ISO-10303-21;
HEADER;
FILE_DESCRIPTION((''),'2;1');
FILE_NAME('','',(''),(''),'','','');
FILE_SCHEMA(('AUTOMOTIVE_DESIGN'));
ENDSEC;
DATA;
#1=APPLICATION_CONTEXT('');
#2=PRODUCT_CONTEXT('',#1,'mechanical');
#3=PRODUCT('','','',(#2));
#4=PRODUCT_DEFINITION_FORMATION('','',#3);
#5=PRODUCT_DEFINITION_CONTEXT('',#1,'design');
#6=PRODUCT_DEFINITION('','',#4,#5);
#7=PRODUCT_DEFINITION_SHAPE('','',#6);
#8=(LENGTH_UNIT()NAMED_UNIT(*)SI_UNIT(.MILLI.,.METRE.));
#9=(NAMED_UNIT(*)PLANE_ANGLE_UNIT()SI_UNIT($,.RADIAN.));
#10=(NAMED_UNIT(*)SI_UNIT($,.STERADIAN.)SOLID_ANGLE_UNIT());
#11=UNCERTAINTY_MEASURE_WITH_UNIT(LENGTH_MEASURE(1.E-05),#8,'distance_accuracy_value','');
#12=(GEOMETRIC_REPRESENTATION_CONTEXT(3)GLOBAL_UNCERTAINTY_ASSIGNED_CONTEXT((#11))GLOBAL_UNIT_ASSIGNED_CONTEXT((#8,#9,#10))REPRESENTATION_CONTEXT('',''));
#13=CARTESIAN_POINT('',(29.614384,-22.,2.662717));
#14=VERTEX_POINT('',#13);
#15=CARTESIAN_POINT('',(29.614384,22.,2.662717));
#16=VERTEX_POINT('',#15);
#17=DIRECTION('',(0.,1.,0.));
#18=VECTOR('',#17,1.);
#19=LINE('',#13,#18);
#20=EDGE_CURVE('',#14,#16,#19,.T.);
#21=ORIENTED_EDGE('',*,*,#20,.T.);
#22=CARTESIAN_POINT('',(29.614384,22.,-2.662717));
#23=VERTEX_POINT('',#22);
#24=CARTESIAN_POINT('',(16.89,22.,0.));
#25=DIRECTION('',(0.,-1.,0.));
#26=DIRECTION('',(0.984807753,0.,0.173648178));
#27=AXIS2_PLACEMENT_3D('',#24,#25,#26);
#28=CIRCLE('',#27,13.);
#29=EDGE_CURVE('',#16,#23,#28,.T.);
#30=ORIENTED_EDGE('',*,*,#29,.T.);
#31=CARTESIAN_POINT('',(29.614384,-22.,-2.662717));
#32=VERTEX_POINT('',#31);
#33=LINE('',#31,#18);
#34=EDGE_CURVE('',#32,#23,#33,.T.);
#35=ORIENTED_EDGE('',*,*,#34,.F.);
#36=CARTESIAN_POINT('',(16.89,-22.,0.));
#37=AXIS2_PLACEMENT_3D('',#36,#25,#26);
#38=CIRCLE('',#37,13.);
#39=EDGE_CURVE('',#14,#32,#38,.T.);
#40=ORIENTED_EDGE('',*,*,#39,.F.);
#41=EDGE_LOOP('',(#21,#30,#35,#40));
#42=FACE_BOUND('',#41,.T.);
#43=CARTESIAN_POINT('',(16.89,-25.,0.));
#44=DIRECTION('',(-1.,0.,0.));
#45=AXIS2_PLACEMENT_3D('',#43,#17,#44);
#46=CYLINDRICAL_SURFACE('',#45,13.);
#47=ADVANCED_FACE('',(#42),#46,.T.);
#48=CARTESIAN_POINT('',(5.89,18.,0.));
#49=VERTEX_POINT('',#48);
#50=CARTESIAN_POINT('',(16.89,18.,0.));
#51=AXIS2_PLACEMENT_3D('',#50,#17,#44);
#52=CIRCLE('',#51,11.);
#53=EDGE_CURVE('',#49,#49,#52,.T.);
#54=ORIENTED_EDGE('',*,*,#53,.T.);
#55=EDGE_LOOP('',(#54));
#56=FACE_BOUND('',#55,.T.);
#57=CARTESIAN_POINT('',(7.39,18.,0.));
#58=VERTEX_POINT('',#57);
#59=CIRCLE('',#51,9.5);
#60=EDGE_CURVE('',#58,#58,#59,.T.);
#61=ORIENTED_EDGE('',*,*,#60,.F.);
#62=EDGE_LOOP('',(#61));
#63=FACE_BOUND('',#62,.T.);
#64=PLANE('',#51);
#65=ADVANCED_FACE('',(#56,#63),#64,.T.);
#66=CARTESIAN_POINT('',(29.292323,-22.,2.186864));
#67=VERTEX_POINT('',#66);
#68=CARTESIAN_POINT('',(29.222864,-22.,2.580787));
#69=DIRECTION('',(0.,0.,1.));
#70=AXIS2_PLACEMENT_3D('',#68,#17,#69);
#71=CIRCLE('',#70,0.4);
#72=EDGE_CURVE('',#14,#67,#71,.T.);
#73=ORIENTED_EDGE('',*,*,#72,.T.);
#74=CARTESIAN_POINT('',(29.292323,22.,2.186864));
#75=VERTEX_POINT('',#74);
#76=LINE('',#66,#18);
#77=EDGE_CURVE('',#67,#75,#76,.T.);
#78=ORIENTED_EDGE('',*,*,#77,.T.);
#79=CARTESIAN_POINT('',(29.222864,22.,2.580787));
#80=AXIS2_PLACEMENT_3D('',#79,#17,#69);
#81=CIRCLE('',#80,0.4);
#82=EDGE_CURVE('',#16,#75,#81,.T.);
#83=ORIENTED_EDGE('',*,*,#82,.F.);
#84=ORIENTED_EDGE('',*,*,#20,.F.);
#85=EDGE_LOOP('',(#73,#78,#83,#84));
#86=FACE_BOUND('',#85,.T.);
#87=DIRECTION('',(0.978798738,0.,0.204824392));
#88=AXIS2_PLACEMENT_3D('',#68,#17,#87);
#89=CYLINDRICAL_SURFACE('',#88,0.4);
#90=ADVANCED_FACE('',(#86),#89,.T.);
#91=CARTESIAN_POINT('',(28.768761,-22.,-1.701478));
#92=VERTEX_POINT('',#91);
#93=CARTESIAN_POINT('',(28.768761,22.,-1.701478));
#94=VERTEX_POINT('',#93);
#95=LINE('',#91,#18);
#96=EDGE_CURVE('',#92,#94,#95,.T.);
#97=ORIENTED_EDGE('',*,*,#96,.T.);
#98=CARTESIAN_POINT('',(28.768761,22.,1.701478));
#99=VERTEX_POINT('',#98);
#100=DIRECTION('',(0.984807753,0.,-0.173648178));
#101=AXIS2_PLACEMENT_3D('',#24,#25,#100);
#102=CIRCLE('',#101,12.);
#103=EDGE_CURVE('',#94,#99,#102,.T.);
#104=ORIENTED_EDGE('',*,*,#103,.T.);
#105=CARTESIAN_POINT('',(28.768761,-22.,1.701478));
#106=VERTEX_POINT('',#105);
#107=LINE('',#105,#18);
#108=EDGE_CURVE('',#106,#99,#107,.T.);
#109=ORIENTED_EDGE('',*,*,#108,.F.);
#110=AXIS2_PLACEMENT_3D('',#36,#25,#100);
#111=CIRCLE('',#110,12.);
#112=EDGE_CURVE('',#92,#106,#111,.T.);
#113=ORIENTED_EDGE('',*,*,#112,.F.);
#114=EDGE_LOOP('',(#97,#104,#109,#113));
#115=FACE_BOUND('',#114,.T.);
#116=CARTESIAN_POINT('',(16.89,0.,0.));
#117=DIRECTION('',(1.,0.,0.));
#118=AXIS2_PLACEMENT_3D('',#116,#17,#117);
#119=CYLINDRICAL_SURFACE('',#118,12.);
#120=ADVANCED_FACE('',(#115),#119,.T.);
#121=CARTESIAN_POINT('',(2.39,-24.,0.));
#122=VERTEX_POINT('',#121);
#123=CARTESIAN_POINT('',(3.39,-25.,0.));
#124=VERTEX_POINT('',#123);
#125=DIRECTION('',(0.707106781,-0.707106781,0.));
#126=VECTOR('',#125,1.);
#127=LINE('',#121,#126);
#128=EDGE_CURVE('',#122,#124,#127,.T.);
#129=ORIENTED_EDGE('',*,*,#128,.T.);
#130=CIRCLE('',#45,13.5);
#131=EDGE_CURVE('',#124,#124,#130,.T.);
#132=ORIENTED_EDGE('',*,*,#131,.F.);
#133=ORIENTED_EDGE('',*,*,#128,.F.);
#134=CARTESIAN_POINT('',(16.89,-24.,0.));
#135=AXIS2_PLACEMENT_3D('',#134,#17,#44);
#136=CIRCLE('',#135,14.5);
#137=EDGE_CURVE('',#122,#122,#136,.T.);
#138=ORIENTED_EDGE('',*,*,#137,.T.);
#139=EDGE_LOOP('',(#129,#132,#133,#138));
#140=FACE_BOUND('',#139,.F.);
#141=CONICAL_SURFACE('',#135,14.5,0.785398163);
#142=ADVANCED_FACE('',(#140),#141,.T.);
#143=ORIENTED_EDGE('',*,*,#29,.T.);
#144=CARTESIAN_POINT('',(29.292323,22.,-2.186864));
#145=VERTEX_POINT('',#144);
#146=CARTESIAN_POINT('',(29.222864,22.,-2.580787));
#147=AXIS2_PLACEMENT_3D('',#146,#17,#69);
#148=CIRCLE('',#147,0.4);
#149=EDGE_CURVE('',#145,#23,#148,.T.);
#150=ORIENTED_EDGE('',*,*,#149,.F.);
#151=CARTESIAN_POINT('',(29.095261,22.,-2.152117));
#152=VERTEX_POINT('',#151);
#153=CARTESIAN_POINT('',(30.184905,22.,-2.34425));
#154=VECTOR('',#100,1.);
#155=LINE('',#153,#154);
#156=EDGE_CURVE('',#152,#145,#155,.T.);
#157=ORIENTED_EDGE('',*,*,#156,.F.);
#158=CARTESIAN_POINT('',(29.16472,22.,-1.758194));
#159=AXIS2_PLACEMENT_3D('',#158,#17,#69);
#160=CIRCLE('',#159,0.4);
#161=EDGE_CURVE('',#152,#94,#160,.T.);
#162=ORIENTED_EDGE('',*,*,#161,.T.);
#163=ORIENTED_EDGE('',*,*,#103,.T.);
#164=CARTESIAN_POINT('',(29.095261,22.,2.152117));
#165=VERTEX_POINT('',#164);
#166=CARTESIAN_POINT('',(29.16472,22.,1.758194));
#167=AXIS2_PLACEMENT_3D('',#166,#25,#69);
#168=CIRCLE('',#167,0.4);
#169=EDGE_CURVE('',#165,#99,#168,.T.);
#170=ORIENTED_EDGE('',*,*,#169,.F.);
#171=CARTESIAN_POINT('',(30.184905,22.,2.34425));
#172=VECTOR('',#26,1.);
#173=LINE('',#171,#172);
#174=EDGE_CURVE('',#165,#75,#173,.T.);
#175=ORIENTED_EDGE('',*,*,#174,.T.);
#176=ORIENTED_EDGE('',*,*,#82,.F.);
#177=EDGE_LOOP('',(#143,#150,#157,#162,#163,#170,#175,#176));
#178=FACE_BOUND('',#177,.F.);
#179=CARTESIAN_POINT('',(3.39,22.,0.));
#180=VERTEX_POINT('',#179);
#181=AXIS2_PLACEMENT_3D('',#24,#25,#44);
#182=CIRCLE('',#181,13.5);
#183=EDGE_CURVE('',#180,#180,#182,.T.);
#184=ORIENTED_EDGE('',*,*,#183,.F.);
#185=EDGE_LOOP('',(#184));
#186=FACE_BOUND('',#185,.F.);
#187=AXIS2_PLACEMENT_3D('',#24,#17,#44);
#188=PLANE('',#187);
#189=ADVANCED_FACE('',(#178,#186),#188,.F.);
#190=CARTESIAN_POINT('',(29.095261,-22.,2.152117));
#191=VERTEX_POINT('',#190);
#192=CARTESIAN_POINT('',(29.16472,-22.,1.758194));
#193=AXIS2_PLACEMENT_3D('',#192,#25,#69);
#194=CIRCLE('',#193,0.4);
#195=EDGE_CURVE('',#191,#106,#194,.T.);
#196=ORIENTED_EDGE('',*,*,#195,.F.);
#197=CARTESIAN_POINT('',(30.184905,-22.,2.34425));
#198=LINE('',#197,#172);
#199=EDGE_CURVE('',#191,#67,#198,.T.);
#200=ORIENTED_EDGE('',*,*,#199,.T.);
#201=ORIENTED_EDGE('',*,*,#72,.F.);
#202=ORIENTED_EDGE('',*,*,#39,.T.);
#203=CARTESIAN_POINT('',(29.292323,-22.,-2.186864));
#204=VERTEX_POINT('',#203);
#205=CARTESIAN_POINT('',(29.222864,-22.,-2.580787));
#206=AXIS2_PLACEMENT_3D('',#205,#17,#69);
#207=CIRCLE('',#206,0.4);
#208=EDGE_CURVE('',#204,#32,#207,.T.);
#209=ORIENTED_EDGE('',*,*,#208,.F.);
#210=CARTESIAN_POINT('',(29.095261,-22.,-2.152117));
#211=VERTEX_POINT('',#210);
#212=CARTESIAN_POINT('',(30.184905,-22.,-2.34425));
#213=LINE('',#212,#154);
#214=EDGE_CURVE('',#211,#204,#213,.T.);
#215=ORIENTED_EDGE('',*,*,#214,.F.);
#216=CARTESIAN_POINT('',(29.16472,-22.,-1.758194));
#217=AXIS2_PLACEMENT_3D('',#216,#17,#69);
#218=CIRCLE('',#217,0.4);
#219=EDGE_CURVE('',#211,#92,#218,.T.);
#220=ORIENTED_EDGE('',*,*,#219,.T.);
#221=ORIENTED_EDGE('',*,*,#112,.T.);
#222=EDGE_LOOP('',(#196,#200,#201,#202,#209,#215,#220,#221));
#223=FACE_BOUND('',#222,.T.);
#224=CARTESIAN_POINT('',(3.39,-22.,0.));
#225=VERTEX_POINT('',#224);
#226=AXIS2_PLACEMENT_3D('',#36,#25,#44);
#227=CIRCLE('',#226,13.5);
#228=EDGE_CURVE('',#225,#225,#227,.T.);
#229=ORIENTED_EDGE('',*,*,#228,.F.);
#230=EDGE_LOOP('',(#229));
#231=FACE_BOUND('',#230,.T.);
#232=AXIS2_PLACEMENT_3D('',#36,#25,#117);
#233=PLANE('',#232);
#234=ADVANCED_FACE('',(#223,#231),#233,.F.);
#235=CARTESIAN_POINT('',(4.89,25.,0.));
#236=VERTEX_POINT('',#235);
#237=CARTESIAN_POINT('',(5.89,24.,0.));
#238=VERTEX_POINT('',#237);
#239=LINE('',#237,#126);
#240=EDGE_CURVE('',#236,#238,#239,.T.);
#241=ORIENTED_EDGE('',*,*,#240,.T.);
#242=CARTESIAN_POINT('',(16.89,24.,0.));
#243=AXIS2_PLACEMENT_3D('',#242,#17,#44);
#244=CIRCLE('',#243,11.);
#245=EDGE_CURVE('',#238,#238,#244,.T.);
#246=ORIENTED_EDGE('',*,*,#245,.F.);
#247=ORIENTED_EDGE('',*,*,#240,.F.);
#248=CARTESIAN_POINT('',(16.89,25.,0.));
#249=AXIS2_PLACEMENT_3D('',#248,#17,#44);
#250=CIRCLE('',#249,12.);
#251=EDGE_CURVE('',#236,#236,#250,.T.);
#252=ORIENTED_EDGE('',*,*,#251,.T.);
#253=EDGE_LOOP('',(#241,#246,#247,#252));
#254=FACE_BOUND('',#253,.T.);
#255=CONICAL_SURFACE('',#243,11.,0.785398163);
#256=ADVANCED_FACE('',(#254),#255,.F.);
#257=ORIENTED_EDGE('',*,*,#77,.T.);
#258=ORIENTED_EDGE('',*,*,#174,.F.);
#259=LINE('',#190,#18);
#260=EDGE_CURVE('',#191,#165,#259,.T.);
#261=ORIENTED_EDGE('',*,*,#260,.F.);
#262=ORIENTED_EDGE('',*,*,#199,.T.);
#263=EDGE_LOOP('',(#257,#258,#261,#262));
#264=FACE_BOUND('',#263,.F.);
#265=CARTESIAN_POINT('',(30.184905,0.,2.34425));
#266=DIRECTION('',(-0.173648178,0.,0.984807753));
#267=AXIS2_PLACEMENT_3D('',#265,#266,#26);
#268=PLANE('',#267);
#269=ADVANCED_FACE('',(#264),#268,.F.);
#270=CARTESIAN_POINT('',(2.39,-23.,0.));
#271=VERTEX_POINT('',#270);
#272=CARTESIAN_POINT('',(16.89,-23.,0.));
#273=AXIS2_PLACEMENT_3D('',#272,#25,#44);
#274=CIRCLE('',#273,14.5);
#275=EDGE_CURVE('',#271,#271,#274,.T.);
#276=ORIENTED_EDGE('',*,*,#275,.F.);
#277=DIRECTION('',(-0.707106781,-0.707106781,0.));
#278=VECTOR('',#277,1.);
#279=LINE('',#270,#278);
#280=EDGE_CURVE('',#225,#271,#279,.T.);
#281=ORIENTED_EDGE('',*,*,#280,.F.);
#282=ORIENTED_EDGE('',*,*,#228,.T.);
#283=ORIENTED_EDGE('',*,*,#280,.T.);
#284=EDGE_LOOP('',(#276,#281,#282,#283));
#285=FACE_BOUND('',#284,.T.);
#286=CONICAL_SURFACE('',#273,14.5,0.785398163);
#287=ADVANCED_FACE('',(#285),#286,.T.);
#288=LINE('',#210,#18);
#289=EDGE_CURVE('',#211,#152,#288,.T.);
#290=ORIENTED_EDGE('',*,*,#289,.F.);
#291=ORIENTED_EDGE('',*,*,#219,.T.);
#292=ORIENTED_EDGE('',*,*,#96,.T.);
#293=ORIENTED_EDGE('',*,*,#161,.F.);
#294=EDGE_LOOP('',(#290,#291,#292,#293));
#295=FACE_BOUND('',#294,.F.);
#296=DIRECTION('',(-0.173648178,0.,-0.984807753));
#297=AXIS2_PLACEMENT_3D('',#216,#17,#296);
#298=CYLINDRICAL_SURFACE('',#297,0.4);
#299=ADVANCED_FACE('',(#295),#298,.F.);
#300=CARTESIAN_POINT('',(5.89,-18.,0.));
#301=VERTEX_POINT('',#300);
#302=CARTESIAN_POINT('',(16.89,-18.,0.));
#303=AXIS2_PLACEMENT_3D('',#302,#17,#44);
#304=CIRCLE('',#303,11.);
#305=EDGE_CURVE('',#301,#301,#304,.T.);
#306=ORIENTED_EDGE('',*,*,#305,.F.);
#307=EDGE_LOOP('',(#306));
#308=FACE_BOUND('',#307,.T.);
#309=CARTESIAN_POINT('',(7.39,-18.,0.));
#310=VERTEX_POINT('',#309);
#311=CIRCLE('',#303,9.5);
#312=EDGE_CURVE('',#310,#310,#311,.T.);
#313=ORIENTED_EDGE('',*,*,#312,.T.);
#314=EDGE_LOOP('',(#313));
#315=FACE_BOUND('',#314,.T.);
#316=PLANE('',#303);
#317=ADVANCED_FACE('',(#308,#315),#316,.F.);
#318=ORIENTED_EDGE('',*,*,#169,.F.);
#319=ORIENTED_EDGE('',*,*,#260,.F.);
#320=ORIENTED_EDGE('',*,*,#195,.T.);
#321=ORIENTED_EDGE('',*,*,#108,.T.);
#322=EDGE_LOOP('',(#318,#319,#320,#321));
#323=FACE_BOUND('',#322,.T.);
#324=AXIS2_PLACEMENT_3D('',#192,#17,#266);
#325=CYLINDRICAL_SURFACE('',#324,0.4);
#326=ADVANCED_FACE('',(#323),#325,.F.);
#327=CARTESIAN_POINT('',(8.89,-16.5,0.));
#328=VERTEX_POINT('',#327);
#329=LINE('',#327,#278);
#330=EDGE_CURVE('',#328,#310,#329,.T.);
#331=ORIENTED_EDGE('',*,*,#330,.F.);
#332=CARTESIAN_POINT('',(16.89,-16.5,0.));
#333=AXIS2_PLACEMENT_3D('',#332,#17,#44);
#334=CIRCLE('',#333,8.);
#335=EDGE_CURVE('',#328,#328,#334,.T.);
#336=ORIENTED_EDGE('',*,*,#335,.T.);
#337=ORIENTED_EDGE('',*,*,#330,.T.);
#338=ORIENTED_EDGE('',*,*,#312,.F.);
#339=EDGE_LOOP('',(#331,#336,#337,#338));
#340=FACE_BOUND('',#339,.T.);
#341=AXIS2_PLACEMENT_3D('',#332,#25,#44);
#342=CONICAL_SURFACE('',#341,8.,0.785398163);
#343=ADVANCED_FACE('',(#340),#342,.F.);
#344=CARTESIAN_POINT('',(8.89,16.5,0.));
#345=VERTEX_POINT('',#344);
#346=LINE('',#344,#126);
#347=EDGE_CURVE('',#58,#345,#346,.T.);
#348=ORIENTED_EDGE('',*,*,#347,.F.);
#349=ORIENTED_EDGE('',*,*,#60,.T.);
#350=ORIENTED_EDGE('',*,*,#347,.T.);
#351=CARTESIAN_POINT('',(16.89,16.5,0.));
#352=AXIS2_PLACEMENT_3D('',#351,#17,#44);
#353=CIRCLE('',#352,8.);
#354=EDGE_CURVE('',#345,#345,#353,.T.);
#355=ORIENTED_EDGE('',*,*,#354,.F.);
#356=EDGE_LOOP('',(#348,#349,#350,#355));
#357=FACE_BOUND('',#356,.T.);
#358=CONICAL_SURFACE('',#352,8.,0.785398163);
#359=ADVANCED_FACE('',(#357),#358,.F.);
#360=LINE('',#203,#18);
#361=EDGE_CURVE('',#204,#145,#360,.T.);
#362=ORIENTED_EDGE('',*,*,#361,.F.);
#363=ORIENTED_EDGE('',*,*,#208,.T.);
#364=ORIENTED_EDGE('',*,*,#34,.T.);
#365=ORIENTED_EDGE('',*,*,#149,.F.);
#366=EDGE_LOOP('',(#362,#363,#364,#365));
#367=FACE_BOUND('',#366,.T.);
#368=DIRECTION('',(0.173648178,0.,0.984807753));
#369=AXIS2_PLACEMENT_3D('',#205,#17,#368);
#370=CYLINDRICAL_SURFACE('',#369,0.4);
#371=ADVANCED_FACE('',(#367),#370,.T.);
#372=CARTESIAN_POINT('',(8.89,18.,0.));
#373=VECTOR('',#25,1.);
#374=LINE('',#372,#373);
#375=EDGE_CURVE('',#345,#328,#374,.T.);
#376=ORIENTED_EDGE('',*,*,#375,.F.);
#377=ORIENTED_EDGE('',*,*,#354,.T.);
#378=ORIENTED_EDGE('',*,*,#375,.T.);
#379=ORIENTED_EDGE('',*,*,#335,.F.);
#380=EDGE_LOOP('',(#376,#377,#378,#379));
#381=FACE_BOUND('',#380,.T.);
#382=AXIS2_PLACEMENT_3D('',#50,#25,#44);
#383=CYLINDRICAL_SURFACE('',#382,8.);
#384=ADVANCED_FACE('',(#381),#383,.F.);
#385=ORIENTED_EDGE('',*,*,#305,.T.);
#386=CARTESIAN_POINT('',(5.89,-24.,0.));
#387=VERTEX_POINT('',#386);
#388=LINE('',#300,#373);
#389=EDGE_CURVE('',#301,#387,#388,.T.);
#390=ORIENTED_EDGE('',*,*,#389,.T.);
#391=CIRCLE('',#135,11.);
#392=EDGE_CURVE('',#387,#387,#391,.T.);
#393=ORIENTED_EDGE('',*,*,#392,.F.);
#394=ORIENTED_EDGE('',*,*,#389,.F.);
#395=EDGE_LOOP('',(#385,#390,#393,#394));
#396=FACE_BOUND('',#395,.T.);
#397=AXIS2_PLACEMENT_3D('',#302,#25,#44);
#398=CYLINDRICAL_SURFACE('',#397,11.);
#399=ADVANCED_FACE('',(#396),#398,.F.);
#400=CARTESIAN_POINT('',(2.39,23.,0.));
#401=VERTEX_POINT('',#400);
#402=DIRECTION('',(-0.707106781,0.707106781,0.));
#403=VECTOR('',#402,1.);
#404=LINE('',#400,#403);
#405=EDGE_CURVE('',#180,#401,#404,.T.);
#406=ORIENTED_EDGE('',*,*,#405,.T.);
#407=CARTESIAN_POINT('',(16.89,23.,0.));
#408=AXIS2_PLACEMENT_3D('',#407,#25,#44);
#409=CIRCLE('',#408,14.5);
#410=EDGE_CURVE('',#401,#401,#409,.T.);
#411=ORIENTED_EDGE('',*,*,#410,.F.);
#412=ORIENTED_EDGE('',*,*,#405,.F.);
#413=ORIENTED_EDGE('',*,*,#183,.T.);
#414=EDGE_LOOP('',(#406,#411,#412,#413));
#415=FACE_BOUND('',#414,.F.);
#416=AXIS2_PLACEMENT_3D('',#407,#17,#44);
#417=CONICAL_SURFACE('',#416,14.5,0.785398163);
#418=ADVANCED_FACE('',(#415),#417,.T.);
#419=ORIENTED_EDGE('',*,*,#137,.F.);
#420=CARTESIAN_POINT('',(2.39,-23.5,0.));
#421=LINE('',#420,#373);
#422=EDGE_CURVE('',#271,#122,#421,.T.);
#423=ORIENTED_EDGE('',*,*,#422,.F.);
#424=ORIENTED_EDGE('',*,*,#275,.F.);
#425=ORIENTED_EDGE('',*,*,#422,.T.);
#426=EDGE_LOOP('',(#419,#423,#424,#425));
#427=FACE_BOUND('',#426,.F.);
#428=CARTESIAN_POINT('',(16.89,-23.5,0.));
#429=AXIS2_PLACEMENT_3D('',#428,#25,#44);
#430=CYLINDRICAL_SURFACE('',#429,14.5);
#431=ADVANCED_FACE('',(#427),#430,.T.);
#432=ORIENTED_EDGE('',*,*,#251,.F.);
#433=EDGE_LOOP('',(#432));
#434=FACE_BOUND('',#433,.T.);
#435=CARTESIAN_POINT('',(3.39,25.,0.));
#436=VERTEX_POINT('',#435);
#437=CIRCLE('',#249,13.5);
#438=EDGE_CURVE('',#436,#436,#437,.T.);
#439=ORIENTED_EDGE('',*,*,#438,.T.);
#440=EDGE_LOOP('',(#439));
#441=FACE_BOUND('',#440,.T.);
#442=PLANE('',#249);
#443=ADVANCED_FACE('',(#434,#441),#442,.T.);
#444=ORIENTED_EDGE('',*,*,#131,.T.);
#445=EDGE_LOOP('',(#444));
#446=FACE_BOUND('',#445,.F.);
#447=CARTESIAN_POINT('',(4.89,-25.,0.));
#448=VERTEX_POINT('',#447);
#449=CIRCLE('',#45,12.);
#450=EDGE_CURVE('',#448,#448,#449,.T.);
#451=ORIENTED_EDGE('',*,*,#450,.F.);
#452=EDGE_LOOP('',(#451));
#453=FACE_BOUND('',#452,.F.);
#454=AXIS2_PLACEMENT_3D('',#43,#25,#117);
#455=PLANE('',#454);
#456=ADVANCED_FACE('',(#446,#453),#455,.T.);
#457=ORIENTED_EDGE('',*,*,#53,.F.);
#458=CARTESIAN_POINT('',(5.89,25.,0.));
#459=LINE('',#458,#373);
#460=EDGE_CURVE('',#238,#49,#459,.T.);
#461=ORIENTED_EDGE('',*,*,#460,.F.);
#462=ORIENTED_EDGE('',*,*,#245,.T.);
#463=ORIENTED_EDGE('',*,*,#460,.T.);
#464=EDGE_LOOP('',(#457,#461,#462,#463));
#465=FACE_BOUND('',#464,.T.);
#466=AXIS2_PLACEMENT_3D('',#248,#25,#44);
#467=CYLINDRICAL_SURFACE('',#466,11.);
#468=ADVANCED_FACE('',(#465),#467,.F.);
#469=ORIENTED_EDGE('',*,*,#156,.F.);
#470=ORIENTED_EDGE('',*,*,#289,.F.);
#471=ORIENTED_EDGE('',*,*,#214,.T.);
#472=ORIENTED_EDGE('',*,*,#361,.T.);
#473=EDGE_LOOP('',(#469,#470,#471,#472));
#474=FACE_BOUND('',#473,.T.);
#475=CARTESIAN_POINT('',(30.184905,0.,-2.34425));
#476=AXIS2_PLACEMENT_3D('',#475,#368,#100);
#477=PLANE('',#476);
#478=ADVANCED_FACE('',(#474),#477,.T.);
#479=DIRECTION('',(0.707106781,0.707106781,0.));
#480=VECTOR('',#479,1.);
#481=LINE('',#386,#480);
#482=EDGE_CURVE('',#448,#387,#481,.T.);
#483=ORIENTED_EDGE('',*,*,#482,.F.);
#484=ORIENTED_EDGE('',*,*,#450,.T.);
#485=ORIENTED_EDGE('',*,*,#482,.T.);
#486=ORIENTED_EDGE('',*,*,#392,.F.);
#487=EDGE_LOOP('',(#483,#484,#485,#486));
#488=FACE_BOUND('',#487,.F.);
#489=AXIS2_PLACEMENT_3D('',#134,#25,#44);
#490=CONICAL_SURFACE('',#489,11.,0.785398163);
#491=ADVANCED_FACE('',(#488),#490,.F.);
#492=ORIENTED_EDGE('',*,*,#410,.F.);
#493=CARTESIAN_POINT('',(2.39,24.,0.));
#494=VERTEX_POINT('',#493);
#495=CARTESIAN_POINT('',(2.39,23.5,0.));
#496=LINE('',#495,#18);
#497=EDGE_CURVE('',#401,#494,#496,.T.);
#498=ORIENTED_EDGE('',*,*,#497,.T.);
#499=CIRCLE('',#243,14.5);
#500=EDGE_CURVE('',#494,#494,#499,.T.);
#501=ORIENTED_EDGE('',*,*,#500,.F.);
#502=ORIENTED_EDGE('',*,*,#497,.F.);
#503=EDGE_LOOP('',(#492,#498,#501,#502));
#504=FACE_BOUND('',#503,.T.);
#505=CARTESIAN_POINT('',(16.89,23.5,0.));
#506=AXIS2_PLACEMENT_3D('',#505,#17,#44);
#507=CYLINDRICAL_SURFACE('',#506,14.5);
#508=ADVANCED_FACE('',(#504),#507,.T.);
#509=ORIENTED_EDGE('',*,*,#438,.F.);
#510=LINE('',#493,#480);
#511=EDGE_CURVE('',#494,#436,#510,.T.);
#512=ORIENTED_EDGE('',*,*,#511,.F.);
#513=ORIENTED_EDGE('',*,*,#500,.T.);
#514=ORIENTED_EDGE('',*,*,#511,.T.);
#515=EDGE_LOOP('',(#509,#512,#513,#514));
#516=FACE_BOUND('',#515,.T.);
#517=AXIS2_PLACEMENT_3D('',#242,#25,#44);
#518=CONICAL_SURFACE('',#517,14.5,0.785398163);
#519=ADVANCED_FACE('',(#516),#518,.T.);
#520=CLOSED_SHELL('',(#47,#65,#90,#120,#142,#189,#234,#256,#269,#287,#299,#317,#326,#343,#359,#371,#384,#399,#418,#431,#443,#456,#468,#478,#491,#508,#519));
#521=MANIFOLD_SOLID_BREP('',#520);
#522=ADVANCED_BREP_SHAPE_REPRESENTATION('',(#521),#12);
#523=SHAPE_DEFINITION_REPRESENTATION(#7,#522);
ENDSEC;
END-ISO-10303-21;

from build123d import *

# Parameters (mm, degrees)
CHAMFER_SIZE    = 1.5
SKETCH001_W     = 1.5
SKETCH001_H     = 3
SKETCH002_W     = 3
SKETCH002_H     = 44
GROOVE_ANGLE    = 20
FILLET_R        = 0.4
CHAMFER002_SIZE = 1


with BuildPart() as part:
    # Sketch → Revolution (revolve)
    with BuildSketch(Plane.XY):
        Polygon((-13, -25), (-13, 25), (-11, 25), (-11, 18), (-8, 18), (-8, -18), (-11, -18), (-11, -25), align=None)
    revolve(axis=Axis((0, 0, 0), (0, 1, 0)))

    # Chamfer
    chamfer_edges = [part.edges().sort_by_distance(p)[0] for p in [
        (8, -18, 0),
        (8, 18, 0),
    ]]
    chamfer(chamfer_edges, length=CHAMFER_SIZE)

    # Sketch001 → Revolution001 (revolve)
    with BuildSketch(Plane.XY):
        with Locations((-13.75, 23.5)):
            Rectangle(SKETCH001_W, SKETCH001_H)
    revolution001 = revolve(axis=Axis((0, 0, 0), (0, 1, 0)))

    # Mirrored: Revolution001 across XZ
    add(revolution001.mirror(Plane.XZ))

    # Sketch002 → Groove (revolve, symmetric, cut)
    with BuildSketch(Plane.XY) as groove_sk:
        with Locations((13.5, 0)):
            Rectangle(SKETCH002_W, SKETCH002_H)
    revolve(axis=Axis((0, 0, 0), (0, 1, 0)), revolution_arc=GROOVE_ANGLE / 2, mode=Mode.SUBTRACT)
    revolve(groove_sk.sketch, axis=Axis((0, 0, 0), (0, -1, 0)), revolution_arc=GROOVE_ANGLE / 2, mode=Mode.SUBTRACT)

    # Fillet
    fillet_edges = [part.edges().sort_by_distance(p)[0] for p in [
        (12.802501, 0, 2.257426),
        (12.802501, 0, -2.257426),
        (11.817693, 0, -2.083778),
        (11.817693, 0, 2.083778),
    ]]
    fillet(fillet_edges, radius=FILLET_R)

    # Chamfer002
    chamfer002_edges = [part.edges().sort_by_distance(p)[0] for p in [
        (14.5, 25, 0),
        (14.5, -25, 0),
        (11, 25, 0),
        (11, -25, 0),
        (-1.263758, 22, 14.444823),
        (-1.263758, -22, 14.444823),
    ]]
    chamfer(chamfer002_edges, length=CHAMFER002_SIZE)


with BuildPart() as part_1:
    # Body placement: moved
    add(part.part.moved(Location((16.89, 0, 0))))


solid = part_1.part
